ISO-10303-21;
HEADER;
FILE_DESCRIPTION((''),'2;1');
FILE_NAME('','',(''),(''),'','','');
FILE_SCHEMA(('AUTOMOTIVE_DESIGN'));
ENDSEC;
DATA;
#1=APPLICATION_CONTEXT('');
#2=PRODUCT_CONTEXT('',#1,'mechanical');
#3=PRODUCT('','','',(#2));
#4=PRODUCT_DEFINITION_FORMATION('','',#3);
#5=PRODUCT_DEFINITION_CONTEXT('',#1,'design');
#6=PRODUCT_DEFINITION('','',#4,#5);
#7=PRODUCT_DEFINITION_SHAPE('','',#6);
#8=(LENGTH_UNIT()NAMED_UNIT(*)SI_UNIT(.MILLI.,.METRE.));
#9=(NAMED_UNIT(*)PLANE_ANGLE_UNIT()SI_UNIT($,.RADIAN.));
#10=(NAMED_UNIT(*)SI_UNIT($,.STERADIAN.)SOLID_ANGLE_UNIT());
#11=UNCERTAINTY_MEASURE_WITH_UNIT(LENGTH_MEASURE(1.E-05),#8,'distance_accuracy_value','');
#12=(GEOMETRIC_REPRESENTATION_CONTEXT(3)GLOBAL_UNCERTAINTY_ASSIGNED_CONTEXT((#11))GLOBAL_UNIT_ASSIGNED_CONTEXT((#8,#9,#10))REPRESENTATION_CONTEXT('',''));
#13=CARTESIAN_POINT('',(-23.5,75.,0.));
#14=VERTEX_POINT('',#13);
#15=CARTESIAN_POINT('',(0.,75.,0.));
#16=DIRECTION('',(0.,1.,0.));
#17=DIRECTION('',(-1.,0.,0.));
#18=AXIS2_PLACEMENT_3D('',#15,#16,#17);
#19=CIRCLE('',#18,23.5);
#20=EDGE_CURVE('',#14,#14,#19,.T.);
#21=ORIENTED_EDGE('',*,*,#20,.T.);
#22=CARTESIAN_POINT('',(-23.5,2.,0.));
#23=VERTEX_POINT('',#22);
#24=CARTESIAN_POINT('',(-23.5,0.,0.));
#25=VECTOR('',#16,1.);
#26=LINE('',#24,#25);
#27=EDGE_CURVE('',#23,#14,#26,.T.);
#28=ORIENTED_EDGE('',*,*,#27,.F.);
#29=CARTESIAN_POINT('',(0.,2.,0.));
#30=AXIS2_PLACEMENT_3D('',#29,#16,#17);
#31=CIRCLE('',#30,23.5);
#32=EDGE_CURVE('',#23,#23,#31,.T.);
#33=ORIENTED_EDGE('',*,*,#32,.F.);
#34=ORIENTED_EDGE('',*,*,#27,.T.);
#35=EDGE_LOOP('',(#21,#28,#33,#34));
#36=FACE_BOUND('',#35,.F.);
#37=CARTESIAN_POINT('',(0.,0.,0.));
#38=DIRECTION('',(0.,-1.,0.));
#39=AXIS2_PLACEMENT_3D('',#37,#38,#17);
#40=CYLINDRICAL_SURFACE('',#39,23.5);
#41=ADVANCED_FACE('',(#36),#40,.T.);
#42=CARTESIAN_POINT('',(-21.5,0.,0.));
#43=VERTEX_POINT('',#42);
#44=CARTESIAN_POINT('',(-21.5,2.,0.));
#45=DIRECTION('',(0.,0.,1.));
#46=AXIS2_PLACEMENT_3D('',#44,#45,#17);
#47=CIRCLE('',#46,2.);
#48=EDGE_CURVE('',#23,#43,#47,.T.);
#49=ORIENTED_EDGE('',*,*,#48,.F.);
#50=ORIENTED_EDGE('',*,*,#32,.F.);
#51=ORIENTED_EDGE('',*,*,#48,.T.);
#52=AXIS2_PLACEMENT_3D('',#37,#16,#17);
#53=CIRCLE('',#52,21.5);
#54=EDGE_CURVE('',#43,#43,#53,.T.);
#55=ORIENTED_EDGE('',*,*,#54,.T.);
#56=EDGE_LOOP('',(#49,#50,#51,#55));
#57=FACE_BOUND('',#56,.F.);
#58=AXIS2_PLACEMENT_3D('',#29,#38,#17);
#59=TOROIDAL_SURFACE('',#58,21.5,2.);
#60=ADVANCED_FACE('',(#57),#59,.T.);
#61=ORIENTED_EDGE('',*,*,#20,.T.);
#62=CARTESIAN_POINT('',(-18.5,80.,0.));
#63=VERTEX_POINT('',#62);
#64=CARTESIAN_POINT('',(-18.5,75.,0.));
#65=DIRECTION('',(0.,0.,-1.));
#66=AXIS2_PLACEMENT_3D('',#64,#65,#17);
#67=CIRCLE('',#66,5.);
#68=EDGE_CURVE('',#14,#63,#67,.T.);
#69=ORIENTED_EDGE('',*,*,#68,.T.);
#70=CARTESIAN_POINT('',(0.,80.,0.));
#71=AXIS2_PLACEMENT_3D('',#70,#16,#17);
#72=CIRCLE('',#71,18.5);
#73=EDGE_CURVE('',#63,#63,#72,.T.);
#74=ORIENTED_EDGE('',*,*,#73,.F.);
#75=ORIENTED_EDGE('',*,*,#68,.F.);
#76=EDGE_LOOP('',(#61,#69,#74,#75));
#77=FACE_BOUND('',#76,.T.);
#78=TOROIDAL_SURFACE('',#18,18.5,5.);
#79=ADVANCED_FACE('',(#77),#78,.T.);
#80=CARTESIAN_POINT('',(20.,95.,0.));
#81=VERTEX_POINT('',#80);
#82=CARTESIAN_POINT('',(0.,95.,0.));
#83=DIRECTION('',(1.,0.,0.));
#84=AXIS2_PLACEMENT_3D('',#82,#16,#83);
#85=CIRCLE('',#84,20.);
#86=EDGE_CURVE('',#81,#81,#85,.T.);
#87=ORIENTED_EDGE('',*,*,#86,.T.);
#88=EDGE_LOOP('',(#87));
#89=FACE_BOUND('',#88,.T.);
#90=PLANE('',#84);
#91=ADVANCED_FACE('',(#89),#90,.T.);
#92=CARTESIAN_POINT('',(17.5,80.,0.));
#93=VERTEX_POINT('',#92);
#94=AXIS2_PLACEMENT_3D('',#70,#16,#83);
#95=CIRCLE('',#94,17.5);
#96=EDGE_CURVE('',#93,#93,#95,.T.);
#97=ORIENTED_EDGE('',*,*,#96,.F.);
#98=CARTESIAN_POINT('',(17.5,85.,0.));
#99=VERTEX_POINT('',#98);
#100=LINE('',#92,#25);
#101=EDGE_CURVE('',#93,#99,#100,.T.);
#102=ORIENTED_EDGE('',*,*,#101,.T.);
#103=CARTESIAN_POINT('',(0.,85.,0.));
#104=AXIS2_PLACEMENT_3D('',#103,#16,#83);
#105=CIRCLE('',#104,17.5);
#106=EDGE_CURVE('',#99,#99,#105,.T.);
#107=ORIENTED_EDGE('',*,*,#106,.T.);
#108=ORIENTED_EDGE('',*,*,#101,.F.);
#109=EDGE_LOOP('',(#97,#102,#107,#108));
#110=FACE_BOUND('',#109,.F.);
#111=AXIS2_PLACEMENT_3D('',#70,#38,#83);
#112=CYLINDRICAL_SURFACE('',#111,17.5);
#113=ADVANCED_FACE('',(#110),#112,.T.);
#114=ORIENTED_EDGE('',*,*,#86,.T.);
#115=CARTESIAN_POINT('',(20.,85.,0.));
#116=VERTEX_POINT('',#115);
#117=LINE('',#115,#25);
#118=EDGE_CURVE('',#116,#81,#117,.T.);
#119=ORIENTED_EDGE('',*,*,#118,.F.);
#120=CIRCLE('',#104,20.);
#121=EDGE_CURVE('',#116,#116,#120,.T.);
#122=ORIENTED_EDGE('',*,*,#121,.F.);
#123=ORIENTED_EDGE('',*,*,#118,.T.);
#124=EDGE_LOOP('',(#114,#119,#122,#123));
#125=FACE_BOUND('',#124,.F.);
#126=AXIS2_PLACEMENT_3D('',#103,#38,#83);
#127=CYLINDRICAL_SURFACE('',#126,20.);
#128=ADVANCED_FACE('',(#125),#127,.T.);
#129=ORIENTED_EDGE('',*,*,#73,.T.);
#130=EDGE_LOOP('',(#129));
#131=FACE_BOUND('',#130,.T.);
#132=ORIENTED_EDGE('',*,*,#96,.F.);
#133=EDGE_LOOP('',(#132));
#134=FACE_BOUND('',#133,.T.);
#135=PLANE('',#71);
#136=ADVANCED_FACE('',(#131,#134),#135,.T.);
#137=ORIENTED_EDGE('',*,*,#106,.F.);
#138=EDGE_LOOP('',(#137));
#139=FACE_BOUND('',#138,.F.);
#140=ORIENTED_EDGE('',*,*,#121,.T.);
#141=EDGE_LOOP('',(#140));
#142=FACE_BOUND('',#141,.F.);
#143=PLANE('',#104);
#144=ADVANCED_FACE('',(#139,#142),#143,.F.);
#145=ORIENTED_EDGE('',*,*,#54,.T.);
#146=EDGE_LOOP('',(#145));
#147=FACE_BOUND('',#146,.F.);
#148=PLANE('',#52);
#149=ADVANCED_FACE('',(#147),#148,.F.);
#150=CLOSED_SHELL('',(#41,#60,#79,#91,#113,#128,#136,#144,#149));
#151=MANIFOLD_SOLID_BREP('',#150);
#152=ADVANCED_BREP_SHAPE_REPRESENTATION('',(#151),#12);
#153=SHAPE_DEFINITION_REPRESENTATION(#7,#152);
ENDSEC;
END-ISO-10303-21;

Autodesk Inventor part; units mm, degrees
ref_plane "YZ Plane" through (0, 0, 0) normal (1, 0, 0) x (0, 1, 0)
ref_plane "XZ Plane" through (0, 0, 0) normal (0, 1, 0) x (-1, 0, 0)
ref_plane "XY Plane" through (0, 0, 0) normal (0, 0, 1) x (1, 0, 0)
sketch "Sketch1" plane through (0, 0, 0) normal (0, 1, 0) x (-1, 0, 0)
  circle A0 centre (0, 0) radius 23.5
  dimension "d0" = 47
extrude "Extrusion1" add sketch "Sketch1" along normal blind 80
sketch "Sketch2" plane through (0, 80, 0) normal (0, 1, 0) x (1, 0, 0)
  circle A0 centre (0, 0) radius 17.5
  dimension "d3" = 35
extrude "Extrusion2" add sketch "Sketch2" along normal blind 5
sketch "Sketch3" plane through (0, 85, 0) normal (0, 1, 0) x (1, 0, 0)
  circle A0 centre (0, 0) radius 20
  dimension "d6" = 40
extrude "Extrusion3" add sketch "Sketch3" along normal blind 10
fillet "Fillet1" radius 2 1 edges at (23.5, 0, 0)
fillet "Fillet2" radius 5 1 edges at (23.5, 80, 0)
properties part number "Tarro"
